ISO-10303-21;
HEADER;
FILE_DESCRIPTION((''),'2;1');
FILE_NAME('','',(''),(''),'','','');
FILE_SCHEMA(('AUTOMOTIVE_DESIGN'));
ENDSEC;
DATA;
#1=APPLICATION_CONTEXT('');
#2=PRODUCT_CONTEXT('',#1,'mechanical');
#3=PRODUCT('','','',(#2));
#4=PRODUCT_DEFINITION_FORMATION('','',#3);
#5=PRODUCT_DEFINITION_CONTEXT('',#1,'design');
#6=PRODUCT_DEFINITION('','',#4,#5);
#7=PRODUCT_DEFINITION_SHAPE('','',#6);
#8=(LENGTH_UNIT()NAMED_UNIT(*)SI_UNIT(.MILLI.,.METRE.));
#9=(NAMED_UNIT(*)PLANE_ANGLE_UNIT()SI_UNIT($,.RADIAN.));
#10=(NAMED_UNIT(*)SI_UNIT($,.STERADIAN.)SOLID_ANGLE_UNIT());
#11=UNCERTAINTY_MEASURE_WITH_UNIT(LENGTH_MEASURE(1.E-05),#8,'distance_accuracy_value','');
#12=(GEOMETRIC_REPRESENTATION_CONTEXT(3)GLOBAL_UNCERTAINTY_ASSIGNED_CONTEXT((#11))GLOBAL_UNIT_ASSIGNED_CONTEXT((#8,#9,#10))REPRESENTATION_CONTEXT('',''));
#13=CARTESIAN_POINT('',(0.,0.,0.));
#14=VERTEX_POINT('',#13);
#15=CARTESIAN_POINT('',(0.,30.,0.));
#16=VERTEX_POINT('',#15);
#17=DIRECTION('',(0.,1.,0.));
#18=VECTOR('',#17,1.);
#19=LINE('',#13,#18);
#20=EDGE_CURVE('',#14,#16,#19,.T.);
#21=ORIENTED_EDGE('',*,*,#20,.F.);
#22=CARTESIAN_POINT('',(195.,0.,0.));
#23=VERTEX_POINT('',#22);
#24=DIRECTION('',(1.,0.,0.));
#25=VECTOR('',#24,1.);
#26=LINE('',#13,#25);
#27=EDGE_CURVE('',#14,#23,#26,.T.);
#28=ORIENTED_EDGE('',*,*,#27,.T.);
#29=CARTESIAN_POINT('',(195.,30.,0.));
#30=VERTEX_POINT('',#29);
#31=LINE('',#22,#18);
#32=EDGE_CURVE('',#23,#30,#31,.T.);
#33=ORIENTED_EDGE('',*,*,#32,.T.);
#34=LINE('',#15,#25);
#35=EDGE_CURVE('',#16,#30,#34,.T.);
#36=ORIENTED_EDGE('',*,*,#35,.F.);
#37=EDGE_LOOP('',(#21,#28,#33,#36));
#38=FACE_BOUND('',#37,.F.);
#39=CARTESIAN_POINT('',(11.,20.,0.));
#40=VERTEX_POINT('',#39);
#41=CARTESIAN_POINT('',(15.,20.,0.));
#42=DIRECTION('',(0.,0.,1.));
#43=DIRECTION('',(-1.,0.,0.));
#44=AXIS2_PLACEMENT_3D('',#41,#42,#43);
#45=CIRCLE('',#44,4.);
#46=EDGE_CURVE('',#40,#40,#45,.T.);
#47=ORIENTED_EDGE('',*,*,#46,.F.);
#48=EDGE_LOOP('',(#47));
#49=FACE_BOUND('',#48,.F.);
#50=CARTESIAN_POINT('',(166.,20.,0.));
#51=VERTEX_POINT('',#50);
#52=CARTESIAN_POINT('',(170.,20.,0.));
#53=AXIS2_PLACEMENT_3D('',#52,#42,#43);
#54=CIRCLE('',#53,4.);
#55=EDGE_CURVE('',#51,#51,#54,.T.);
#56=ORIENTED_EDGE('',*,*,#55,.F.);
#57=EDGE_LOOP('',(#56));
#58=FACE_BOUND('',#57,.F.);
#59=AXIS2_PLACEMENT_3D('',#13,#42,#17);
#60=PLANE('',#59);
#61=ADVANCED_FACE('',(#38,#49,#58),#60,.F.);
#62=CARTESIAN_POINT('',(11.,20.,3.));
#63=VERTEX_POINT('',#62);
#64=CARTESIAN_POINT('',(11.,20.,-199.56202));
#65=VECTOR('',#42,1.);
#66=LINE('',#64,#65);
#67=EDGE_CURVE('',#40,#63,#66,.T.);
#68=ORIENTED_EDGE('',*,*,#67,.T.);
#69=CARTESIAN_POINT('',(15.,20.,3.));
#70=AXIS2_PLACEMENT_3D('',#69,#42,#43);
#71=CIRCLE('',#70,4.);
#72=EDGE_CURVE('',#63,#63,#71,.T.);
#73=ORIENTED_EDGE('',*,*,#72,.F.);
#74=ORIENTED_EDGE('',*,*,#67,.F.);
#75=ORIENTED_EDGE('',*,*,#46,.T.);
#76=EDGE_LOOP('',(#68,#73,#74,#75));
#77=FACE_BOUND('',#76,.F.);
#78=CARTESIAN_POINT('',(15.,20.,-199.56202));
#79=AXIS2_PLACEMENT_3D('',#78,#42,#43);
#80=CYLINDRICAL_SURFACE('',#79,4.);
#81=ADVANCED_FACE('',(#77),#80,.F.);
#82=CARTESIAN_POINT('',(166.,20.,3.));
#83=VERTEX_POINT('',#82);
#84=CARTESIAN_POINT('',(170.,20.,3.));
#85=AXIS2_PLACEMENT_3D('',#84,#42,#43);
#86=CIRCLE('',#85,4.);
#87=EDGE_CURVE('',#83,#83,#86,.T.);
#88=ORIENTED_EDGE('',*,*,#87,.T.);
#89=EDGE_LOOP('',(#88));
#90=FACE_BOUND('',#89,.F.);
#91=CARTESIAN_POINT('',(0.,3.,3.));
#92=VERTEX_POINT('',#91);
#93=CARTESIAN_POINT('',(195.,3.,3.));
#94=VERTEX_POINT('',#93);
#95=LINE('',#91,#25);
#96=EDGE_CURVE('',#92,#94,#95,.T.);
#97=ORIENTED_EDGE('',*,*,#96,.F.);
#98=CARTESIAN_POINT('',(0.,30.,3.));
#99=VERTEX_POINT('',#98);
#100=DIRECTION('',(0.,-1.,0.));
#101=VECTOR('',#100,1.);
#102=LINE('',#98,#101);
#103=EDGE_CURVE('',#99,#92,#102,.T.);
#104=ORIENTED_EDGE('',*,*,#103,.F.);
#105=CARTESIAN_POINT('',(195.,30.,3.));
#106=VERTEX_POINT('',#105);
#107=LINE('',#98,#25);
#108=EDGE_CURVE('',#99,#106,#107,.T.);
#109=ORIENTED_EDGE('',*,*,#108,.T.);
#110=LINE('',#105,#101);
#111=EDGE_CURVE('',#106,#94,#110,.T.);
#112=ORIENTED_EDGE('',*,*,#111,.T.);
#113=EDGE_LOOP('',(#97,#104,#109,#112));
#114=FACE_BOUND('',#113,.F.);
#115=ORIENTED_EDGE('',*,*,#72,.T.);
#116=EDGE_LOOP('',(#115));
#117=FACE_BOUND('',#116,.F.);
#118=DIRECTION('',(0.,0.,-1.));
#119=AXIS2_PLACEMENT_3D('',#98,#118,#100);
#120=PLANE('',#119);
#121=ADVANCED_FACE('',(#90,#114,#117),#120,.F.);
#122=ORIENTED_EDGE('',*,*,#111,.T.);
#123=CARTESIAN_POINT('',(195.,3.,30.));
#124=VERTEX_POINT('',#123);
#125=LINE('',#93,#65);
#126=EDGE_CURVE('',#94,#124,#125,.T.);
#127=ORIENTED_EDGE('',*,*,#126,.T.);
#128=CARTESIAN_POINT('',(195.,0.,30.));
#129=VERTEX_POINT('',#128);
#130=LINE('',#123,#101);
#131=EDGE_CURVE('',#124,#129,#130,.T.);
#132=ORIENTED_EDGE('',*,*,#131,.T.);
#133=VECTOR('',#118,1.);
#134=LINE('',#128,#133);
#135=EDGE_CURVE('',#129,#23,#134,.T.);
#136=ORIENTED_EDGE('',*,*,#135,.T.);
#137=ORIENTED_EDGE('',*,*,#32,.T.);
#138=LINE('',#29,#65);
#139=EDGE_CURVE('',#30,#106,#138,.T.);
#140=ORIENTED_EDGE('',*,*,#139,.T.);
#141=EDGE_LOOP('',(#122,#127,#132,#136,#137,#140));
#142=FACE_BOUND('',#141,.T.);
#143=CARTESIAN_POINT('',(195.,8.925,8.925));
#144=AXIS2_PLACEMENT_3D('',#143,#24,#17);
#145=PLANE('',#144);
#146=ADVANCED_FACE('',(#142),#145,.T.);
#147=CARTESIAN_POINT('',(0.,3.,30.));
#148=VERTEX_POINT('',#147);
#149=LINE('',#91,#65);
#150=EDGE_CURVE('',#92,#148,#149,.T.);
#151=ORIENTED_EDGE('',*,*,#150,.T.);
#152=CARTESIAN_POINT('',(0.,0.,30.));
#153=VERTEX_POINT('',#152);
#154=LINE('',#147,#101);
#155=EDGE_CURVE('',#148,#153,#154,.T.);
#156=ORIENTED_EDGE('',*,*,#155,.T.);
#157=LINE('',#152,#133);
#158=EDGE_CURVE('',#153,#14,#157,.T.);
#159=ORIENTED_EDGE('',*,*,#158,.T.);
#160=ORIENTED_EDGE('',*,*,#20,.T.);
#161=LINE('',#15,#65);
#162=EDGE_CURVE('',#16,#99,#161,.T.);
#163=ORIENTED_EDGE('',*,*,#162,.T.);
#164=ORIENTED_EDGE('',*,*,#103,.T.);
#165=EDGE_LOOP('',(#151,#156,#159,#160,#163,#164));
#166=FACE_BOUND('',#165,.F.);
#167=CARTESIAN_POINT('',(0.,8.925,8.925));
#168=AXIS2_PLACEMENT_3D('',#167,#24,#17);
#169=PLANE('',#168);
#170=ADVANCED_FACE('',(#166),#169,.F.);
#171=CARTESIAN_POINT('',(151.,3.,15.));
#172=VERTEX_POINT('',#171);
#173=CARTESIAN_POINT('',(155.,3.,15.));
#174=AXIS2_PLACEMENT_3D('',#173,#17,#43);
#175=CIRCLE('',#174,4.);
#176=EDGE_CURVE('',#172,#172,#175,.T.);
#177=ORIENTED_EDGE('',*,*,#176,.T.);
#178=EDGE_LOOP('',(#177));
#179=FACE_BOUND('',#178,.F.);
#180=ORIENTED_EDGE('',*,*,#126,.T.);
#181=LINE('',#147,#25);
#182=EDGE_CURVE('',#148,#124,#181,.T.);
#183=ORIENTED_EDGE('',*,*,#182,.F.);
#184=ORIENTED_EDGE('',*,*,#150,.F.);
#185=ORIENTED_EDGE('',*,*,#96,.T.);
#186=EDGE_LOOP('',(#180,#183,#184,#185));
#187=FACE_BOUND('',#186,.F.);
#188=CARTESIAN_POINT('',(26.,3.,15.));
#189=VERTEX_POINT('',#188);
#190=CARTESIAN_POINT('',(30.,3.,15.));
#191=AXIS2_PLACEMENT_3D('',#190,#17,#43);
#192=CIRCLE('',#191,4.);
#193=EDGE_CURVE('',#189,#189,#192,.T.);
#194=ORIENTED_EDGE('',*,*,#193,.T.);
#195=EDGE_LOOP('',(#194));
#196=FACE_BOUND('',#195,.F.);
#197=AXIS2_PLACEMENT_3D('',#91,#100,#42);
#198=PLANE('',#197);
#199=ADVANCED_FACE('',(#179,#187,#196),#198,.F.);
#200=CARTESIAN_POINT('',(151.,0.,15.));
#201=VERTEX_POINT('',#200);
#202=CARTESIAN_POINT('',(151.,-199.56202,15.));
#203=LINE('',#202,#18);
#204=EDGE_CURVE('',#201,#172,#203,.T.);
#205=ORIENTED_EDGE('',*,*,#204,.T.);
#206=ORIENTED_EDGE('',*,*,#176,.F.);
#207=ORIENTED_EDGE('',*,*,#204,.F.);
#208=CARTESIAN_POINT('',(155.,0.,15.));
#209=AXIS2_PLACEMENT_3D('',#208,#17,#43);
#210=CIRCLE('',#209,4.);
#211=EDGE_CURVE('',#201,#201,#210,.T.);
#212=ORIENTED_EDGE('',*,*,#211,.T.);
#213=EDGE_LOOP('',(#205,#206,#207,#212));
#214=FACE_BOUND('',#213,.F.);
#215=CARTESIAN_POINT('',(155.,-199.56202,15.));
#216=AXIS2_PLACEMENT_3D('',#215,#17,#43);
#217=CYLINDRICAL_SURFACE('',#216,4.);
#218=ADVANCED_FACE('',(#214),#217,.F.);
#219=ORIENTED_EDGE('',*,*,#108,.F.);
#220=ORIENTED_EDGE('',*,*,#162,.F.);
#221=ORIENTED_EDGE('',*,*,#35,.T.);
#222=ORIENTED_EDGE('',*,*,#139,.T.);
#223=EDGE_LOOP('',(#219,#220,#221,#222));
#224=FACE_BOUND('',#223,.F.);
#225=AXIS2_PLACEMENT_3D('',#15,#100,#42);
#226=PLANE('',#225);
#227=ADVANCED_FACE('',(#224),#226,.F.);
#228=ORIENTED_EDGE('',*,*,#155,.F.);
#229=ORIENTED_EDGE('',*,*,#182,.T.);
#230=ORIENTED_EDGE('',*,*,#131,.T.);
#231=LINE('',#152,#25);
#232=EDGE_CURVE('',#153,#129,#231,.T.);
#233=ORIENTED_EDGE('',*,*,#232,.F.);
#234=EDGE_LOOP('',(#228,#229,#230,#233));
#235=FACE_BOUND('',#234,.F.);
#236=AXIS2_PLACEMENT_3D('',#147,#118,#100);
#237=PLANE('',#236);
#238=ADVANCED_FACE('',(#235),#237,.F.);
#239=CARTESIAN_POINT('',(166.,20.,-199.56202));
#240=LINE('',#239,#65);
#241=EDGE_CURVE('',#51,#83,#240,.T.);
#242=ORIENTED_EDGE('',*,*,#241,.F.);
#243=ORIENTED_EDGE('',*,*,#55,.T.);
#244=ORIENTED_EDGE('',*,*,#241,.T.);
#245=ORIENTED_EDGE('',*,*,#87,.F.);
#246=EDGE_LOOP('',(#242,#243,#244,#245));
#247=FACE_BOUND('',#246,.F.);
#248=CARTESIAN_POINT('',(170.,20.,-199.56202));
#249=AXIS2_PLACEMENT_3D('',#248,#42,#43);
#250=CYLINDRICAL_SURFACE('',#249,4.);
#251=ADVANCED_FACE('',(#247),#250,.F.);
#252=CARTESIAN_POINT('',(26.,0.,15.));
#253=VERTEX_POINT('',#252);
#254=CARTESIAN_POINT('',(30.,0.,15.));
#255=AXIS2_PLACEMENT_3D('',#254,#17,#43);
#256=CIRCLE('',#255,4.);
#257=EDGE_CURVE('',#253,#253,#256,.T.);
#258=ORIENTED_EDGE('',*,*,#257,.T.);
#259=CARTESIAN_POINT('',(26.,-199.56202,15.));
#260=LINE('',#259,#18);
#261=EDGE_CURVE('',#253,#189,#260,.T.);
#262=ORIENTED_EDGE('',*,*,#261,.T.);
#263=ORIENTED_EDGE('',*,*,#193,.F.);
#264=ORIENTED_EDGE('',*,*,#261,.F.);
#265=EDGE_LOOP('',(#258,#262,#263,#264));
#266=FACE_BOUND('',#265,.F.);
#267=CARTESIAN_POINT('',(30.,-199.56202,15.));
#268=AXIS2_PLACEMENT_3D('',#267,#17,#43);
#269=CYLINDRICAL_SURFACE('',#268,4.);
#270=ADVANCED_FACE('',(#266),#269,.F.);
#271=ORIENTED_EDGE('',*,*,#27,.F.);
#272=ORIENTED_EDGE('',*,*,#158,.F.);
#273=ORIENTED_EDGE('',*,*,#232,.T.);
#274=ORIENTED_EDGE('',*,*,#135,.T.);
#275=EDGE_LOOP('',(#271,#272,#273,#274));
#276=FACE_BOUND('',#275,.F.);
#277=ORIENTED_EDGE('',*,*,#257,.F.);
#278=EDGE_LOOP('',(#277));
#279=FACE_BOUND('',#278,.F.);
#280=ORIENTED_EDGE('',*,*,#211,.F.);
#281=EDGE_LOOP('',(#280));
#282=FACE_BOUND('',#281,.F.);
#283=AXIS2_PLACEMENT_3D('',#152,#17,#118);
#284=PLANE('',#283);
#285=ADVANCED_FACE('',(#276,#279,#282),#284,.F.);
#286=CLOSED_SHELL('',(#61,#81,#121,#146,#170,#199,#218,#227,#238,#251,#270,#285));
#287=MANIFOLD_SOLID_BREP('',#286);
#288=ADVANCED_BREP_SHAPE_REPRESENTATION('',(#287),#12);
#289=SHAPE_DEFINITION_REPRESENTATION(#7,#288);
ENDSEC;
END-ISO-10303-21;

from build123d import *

# Parameters (mm, degrees)
F1_DEPTH = 195
F3_D     = 8
F5_D     = 8


with BuildPart() as f1:
    # F0 (on Right) → F1 (new body)
    with BuildSketch(Plane.YZ):
        Polygon((0, 30), (0, 0), (30, 0), (30, 3), (3, 3), (3, 30), align=None)
    extrude(amount=F1_DEPTH)

    # F3 (through all)
    with Locations(Plane(origin=(0, 0, 0), x_dir=(1, 0, 0), z_dir=(0, 0, -1))):
        with Locations((15, -20), (170, -20)):
            Hole(F3_D / 2)

    # F5 (through all)
    with Locations(Plane.XZ):
        with Locations((30, 15), (155, 15)):
            Hole(F5_D / 2)


solid = f1.part
